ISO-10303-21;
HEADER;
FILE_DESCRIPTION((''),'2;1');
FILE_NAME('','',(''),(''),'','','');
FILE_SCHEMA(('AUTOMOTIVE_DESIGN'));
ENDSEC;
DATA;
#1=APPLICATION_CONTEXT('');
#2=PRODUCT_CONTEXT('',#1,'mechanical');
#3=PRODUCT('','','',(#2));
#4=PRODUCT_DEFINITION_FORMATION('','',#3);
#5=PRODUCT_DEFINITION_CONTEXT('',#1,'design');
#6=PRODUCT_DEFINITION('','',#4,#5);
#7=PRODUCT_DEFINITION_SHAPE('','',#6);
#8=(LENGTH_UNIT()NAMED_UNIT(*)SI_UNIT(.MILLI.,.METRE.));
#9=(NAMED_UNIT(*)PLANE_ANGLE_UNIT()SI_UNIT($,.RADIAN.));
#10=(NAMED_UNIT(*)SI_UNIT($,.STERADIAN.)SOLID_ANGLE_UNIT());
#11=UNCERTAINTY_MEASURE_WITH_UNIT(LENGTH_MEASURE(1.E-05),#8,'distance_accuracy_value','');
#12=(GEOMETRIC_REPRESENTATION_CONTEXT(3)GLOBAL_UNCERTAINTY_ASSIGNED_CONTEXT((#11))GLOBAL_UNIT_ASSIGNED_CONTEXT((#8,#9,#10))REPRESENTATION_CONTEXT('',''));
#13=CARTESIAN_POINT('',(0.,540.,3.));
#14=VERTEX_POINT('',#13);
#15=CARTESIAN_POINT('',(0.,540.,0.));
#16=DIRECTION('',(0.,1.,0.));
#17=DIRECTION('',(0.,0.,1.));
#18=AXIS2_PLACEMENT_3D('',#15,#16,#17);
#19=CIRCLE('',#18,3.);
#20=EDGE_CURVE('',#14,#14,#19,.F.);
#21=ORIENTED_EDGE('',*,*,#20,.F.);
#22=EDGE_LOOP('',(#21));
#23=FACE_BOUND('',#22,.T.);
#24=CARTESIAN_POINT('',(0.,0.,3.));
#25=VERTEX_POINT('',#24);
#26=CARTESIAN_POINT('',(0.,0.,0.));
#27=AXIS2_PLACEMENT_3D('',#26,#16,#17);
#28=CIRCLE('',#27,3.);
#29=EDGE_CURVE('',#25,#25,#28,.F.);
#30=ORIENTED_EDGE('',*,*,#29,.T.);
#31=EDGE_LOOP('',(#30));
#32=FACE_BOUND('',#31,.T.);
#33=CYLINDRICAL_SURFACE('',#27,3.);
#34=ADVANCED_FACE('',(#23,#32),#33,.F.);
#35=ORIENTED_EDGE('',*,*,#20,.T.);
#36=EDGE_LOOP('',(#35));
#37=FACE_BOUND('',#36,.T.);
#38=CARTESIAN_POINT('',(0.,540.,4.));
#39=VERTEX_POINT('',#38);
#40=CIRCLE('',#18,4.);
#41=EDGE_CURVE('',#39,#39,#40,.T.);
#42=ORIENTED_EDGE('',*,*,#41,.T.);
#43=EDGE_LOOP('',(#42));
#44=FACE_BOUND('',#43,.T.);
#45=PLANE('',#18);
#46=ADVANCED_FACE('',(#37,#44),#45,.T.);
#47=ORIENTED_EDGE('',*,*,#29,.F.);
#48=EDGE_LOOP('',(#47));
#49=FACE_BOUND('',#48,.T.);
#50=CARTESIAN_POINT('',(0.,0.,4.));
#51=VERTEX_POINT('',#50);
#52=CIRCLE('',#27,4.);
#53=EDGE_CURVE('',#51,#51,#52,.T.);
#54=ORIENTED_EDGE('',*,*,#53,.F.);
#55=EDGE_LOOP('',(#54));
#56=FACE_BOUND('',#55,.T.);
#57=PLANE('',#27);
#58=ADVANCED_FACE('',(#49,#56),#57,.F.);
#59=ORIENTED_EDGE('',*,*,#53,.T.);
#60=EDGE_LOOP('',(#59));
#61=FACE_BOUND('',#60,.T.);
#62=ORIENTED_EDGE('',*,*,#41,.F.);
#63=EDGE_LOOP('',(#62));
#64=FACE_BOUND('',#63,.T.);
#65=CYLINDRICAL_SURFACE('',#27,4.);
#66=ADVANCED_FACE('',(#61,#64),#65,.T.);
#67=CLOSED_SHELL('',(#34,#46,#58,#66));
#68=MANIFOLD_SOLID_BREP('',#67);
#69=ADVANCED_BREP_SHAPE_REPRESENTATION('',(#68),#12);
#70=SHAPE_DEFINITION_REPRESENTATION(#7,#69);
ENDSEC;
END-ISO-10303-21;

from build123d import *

# Parameters (mm, degrees)
SKETCH2_R   = 4
SKETCH2_R_2 = 3


with BuildPart() as part:
    # Sweep1: sweep along a path in Sketch1
    with BuildLine(Plane.XY) as sweep1_path:
        Line((0, 0), (0, 540))
    # Sketch2 → Sweep1 (sweep)
    with BuildSketch(Plane(origin=(0, 0, 0), x_dir=(1, 0, 0), z_dir=(0, 1, 0))):
        Circle(SKETCH2_R)
        Circle(SKETCH2_R_2, mode=Mode.SUBTRACT)
    sweep(path=sweep1_path.line)


solid = part.part
